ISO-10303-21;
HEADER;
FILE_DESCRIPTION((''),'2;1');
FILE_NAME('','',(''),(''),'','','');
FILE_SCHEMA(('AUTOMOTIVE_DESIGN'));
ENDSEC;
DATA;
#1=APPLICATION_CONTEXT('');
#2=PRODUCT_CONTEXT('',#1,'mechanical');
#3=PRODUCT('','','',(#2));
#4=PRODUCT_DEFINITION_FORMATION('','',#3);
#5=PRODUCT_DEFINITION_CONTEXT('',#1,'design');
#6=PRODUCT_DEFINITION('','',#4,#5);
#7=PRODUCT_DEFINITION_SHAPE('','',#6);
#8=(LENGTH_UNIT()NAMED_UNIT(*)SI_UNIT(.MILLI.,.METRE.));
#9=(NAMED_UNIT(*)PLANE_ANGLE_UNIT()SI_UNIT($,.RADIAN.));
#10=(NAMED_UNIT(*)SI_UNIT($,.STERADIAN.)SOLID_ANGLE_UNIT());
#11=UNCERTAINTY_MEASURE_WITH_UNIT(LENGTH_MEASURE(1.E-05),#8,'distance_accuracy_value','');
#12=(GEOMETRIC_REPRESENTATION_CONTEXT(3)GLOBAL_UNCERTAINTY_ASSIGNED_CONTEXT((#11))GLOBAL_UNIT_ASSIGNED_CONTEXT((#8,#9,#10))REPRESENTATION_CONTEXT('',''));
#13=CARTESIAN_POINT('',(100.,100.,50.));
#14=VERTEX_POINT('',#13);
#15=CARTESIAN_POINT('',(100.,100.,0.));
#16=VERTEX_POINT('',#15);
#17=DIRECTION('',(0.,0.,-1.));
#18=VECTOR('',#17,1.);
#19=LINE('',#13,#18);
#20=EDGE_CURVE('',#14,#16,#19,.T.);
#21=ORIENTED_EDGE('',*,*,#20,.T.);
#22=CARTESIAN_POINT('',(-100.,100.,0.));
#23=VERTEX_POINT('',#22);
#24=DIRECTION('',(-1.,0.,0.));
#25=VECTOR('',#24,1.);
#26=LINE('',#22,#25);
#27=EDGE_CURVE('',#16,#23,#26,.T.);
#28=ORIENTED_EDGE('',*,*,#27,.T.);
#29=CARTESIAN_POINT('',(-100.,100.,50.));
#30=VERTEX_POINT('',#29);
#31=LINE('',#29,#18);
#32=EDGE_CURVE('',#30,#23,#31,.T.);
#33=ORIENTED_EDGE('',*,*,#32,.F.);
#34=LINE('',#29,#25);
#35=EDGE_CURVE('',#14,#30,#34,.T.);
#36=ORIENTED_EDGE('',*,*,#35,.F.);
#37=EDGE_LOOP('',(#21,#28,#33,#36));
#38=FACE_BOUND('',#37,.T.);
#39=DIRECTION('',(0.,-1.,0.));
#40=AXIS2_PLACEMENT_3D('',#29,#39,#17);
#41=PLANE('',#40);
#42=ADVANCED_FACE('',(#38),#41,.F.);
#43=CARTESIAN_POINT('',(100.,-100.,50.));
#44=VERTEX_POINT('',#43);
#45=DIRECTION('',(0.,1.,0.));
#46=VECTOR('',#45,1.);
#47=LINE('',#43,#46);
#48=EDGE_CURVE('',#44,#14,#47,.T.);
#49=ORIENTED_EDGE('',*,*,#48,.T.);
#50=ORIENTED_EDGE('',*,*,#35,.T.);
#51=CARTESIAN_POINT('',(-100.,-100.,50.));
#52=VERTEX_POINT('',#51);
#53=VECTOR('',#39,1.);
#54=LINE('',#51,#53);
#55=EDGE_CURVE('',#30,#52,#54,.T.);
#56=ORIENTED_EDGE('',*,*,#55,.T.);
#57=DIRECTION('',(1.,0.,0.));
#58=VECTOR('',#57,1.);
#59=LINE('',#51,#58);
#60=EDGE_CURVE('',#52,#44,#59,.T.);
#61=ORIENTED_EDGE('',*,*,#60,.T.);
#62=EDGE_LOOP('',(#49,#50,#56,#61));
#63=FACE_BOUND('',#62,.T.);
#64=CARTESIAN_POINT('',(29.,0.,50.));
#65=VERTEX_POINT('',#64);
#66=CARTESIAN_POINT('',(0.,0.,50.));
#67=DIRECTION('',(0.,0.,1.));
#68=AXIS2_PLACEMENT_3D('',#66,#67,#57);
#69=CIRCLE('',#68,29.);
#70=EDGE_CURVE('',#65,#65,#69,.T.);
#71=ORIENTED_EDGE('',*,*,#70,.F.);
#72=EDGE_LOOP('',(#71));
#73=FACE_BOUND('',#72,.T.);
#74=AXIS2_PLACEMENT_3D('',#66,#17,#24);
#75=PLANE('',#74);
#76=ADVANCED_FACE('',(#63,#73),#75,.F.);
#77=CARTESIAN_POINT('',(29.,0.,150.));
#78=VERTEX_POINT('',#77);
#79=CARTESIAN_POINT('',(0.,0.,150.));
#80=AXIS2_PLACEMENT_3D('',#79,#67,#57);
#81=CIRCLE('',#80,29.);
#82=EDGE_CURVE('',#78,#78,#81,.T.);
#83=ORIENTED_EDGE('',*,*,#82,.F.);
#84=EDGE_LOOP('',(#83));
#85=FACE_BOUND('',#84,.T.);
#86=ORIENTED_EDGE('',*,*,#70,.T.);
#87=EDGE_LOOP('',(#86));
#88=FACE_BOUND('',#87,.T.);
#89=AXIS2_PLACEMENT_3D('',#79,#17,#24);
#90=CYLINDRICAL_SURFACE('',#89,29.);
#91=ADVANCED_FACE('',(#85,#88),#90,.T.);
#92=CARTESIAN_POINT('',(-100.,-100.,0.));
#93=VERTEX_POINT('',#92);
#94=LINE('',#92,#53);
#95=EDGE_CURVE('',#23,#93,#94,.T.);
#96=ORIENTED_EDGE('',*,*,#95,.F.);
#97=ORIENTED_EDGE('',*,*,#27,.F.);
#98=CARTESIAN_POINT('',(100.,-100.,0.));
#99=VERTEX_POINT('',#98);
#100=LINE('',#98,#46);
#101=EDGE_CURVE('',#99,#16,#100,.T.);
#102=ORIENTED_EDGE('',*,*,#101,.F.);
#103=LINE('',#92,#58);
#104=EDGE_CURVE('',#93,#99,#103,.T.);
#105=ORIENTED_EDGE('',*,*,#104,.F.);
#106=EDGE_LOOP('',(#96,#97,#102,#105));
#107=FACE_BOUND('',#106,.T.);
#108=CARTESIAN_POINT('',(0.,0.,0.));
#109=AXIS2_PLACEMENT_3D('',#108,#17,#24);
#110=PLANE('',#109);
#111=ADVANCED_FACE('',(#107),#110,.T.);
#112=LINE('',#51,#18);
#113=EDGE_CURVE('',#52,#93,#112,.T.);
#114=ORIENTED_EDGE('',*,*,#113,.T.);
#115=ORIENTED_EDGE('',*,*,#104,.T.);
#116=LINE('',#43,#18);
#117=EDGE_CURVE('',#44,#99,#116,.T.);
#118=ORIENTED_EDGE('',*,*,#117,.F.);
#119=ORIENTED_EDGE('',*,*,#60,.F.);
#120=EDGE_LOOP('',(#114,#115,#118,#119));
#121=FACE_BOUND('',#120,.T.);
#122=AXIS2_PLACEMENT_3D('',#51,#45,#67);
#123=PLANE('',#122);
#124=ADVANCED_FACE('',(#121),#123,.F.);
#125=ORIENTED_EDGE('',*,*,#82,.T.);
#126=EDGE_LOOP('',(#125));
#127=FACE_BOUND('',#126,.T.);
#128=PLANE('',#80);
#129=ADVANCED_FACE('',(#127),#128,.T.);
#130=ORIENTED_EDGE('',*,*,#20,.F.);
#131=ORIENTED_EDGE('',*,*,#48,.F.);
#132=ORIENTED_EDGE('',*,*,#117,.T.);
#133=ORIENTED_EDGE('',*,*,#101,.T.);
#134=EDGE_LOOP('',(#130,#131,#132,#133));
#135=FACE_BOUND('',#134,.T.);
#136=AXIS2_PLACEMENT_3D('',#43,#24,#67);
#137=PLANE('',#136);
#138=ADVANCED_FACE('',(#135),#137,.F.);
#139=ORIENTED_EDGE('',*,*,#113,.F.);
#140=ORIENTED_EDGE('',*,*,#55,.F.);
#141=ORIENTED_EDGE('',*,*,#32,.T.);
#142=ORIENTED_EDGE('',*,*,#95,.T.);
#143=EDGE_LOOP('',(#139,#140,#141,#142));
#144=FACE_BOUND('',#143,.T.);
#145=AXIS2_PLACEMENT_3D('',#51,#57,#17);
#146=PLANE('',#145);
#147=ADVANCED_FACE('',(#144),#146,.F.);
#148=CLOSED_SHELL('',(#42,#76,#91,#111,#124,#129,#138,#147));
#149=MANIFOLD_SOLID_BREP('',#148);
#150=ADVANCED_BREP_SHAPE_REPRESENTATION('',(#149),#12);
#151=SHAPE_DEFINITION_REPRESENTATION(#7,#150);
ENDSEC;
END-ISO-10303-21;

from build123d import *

# Parameters (mm, degrees)
ESQUISSE1_W        = 200
ESQUISSE1_H        = 200
BOSS_EXTRU_1_DEPTH = 50
ESQUISSE2_R        = 29
BOSS_EXTRU_2_DEPTH = 100


with BuildPart() as part:
    # Esquisse1 → Boss.-Extru.1 (new body)
    with BuildSketch(Plane.XY):
        Rectangle(ESQUISSE1_W, ESQUISSE1_H)
    extrude(amount=BOSS_EXTRU_1_DEPTH)

    # Esquisse2 → Boss.-Extru.2 (add)
    with BuildSketch(Plane.XY.offset(50)):
        Circle(ESQUISSE2_R)
    extrude(amount=BOSS_EXTRU_2_DEPTH)


solid = part.part
